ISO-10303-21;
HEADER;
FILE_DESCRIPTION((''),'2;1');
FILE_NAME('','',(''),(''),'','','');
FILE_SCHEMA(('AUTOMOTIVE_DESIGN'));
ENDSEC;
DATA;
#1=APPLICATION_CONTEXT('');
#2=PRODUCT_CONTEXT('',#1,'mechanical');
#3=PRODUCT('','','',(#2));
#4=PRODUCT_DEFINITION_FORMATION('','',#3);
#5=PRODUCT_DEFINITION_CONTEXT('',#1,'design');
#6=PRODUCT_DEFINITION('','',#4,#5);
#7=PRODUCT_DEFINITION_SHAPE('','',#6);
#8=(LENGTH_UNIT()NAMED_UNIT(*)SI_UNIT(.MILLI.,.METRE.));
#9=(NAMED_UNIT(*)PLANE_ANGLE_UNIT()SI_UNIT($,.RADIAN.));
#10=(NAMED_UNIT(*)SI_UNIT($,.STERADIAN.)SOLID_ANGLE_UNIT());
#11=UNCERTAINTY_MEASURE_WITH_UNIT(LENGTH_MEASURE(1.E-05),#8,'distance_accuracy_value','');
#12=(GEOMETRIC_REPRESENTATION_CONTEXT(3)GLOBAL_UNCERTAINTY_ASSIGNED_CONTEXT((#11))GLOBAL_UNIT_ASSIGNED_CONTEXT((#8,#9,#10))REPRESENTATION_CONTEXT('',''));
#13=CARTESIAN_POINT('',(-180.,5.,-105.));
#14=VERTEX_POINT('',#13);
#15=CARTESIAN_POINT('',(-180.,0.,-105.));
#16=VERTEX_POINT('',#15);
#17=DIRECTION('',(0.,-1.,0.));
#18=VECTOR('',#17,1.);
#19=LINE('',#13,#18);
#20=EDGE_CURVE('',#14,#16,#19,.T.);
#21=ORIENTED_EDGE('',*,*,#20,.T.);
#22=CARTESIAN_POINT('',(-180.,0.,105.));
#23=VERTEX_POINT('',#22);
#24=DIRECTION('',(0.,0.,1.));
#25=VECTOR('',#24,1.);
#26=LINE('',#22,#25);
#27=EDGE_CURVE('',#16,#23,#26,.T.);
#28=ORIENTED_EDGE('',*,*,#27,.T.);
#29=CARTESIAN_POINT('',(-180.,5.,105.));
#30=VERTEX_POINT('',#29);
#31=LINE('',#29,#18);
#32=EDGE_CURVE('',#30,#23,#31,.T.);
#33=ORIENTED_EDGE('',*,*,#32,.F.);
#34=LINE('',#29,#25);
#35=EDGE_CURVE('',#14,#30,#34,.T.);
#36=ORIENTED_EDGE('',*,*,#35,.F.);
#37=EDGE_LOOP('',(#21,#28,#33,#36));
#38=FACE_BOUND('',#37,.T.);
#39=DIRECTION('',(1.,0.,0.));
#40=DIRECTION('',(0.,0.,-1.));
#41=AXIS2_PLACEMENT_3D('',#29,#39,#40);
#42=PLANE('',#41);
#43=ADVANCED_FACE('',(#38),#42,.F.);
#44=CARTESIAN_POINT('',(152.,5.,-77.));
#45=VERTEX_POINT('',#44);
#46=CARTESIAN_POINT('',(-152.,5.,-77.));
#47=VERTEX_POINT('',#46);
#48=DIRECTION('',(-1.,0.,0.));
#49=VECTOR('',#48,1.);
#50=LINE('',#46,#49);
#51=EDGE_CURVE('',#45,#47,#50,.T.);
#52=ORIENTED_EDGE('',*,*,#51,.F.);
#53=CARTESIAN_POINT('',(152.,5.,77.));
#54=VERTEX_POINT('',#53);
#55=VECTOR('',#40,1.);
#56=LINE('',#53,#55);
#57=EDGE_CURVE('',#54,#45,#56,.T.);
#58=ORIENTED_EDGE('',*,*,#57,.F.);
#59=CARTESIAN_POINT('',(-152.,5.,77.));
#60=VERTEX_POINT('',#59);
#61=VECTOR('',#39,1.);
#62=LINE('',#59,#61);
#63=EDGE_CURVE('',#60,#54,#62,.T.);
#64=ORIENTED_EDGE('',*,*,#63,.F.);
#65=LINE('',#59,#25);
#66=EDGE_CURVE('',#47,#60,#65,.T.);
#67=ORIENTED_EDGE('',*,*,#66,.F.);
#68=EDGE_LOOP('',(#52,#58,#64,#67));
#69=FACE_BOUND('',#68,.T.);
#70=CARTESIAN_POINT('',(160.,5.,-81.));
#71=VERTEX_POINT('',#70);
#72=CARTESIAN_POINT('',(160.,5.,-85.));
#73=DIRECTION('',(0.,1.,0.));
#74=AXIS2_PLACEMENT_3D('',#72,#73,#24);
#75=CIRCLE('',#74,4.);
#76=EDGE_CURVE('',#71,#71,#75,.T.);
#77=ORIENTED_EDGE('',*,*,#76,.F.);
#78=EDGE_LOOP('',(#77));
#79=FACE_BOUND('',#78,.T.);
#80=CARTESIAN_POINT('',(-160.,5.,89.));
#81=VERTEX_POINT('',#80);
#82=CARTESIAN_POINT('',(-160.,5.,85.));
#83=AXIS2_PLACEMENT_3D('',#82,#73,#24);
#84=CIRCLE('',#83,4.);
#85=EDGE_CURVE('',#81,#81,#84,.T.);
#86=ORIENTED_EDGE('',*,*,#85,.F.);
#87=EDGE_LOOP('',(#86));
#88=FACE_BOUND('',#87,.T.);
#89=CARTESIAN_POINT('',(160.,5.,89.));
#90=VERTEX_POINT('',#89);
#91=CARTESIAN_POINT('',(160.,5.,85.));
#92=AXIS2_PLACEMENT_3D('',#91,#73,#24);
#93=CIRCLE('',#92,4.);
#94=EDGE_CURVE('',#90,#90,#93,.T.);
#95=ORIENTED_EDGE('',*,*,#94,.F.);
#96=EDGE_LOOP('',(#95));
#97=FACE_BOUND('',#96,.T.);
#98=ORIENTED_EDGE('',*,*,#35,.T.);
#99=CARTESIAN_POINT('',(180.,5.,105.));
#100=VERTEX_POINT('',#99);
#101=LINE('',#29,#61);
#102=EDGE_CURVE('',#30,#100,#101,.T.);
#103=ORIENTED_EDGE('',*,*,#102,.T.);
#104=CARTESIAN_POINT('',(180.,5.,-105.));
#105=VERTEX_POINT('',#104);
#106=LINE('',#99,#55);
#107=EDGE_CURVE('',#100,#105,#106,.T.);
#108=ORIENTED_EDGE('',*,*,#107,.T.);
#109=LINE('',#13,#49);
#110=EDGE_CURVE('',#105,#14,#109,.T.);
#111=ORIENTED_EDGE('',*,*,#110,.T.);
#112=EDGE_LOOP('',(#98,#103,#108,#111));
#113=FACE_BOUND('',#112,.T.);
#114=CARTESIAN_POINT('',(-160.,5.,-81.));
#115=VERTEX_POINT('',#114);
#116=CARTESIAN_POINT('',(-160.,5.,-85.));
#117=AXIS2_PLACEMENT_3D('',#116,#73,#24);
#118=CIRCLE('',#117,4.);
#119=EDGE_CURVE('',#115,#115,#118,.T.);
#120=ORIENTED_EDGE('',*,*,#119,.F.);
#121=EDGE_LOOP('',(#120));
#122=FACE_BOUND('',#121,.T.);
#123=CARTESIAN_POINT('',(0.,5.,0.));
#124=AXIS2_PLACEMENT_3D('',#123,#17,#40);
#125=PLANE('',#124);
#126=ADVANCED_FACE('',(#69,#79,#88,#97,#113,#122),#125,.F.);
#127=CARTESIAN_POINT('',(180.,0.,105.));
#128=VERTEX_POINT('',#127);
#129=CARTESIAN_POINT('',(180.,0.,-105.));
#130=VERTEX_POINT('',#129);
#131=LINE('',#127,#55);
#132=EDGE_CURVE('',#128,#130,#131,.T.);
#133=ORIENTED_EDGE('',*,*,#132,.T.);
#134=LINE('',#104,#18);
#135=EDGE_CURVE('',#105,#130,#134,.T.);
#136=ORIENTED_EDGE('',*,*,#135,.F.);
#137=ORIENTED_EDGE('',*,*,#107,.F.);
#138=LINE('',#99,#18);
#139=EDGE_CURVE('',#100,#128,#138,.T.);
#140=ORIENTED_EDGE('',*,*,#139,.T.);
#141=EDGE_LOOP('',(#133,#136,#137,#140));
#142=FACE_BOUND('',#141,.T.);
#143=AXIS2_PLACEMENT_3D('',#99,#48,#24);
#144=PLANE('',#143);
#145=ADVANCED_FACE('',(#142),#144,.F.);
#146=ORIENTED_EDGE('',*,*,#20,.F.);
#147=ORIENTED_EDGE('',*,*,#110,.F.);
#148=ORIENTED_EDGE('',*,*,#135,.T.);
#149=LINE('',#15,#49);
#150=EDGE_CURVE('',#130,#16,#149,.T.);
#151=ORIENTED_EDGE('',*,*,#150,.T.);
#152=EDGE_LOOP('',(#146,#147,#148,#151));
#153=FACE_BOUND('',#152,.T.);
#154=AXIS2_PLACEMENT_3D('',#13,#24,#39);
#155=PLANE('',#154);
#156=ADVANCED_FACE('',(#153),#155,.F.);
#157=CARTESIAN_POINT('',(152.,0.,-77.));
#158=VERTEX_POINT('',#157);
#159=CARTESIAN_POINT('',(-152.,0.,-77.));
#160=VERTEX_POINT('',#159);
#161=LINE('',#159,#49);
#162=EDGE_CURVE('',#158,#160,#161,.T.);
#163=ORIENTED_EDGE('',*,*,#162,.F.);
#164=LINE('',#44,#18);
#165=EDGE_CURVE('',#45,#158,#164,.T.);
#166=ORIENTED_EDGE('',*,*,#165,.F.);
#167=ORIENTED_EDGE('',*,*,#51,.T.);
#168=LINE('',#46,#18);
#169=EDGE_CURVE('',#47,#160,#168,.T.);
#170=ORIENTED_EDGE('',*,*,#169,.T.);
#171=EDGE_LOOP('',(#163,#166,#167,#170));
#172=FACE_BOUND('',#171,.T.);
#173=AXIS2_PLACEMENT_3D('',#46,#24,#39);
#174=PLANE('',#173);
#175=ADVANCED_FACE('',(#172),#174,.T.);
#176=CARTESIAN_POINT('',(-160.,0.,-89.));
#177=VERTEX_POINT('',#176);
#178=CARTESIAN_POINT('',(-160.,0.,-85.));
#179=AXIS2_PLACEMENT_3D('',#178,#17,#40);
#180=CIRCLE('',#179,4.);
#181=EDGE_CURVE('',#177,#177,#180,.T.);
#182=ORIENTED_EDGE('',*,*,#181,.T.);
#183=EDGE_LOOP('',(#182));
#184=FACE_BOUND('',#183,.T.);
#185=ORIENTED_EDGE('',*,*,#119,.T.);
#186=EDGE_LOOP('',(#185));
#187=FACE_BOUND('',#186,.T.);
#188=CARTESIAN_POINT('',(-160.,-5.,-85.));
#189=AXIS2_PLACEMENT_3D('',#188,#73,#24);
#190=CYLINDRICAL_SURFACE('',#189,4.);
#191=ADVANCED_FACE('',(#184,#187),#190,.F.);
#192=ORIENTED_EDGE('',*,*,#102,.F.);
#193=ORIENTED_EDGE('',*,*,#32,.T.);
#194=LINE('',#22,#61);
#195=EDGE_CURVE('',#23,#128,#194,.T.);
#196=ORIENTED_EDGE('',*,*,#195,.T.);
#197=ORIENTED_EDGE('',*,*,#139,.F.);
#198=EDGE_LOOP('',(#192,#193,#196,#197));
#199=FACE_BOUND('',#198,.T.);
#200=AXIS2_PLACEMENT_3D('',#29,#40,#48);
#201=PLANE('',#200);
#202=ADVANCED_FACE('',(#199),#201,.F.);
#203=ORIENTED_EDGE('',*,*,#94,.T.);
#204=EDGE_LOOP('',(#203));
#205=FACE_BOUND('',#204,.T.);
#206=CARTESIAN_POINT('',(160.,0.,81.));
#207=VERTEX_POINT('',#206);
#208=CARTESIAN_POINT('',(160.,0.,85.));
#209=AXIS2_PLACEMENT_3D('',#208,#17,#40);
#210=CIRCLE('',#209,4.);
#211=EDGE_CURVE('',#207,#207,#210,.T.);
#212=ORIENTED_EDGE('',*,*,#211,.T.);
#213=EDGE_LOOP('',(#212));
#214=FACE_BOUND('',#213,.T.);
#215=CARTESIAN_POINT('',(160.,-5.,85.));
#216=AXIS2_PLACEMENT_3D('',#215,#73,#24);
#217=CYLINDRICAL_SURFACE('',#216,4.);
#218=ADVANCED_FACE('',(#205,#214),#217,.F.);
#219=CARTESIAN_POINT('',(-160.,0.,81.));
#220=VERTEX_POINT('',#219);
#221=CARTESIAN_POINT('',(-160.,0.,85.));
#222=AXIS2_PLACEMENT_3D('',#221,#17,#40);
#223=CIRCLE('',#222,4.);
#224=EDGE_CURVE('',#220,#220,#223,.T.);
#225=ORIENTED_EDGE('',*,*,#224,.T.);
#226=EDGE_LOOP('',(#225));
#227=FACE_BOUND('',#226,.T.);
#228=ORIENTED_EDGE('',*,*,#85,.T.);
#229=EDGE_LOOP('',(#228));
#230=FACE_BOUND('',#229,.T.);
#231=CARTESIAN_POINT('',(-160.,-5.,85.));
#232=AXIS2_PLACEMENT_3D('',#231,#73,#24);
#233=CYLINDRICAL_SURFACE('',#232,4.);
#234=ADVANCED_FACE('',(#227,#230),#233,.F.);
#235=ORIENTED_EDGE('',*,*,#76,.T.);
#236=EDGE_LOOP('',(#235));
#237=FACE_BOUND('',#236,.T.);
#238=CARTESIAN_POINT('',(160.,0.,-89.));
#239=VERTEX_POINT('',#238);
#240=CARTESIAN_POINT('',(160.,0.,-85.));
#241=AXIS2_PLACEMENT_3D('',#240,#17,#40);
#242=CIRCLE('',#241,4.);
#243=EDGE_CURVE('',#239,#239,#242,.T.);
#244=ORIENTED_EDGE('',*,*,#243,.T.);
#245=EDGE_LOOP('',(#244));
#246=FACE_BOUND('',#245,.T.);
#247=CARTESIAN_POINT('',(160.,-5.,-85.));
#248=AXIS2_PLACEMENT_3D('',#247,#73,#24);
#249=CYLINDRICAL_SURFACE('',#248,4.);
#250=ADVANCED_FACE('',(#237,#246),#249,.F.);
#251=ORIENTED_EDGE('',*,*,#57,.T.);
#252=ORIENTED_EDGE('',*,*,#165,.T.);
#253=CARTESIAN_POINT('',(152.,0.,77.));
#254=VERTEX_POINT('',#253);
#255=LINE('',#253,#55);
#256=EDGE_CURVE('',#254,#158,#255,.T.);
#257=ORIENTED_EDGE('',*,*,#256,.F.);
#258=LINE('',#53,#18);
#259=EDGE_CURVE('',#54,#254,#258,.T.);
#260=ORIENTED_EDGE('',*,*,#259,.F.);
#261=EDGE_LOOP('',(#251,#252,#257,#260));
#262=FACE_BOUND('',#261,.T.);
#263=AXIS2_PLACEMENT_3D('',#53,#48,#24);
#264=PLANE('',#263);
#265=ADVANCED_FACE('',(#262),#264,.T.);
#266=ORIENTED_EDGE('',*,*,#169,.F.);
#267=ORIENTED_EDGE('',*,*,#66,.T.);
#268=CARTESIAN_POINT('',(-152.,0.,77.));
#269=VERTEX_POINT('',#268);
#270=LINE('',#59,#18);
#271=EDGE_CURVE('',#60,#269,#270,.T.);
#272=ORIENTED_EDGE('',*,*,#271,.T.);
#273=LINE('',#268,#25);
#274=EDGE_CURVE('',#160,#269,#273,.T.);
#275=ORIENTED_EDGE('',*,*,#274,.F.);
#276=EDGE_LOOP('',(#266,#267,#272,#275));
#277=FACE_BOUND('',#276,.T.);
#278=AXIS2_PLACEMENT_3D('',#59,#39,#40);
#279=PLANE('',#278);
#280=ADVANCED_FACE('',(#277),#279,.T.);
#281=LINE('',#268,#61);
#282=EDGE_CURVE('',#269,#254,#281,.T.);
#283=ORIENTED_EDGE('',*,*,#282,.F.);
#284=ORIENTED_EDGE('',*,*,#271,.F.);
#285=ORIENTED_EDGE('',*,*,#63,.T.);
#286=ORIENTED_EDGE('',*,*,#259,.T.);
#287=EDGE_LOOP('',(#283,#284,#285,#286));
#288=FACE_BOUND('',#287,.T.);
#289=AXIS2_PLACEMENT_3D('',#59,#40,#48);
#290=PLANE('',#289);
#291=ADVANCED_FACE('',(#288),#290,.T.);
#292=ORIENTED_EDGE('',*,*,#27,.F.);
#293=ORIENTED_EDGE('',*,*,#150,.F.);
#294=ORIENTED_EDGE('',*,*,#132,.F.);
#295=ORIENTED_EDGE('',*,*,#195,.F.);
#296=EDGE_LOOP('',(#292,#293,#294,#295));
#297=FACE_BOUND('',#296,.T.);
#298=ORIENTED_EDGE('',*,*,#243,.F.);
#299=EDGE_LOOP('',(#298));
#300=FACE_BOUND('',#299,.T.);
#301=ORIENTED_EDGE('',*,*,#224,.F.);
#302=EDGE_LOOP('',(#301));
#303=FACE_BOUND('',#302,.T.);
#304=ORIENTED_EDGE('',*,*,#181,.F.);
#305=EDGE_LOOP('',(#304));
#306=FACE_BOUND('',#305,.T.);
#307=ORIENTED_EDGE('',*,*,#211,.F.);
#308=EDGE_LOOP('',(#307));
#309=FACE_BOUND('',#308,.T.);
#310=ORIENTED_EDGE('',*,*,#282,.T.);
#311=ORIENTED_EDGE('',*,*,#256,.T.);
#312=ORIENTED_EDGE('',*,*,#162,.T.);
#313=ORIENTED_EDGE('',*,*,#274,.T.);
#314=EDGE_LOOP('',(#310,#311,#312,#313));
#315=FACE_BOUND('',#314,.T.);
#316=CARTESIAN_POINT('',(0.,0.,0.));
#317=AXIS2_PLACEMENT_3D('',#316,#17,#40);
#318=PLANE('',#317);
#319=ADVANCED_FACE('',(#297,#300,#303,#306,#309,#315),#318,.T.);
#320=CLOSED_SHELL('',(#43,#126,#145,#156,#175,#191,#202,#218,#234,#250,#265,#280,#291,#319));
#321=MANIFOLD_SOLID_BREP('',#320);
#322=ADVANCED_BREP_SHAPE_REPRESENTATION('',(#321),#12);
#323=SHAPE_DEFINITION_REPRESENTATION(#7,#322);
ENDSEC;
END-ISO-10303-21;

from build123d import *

# Parameters (mm, degrees)
SKETCH1_W           = 360
SKETCH1_H           = 210
SKETCH1_W_2         = 304
SKETCH1_H_2         = 154
BOSS_EXTRUDE1_DEPTH = 5
SKETCH2_R           = 4
CUT_EXTRUDE1_DEPTH  = 10


with BuildPart() as part:
    # Sketch1 → Boss-Extrude1 (new body)
    with BuildSketch(Plane(origin=(0, 0, 0), x_dir=(1, 0, 0), z_dir=(0, 1, 0))):
        Rectangle(SKETCH1_W, SKETCH1_H)
        Rectangle(SKETCH1_W_2, SKETCH1_H_2, mode=Mode.SUBTRACT)
    extrude(amount=BOSS_EXTRUDE1_DEPTH)

    # Sketch2 → Cut-Extrude1 (cut)
    with BuildSketch(Plane(origin=(0, 5, 0), x_dir=(1, 0, 0), z_dir=(0, 1, 0))):
        with Locations((-160, -85)):
            Circle(SKETCH2_R)
        with Locations((160, -85)):
            Circle(SKETCH2_R)
        with Locations((160, 85)):
            Circle(SKETCH2_R)
        with Locations((-160, 85)):
            Circle(SKETCH2_R)
    extrude(amount=-CUT_EXTRUDE1_DEPTH, mode=Mode.SUBTRACT)


solid = part.part
